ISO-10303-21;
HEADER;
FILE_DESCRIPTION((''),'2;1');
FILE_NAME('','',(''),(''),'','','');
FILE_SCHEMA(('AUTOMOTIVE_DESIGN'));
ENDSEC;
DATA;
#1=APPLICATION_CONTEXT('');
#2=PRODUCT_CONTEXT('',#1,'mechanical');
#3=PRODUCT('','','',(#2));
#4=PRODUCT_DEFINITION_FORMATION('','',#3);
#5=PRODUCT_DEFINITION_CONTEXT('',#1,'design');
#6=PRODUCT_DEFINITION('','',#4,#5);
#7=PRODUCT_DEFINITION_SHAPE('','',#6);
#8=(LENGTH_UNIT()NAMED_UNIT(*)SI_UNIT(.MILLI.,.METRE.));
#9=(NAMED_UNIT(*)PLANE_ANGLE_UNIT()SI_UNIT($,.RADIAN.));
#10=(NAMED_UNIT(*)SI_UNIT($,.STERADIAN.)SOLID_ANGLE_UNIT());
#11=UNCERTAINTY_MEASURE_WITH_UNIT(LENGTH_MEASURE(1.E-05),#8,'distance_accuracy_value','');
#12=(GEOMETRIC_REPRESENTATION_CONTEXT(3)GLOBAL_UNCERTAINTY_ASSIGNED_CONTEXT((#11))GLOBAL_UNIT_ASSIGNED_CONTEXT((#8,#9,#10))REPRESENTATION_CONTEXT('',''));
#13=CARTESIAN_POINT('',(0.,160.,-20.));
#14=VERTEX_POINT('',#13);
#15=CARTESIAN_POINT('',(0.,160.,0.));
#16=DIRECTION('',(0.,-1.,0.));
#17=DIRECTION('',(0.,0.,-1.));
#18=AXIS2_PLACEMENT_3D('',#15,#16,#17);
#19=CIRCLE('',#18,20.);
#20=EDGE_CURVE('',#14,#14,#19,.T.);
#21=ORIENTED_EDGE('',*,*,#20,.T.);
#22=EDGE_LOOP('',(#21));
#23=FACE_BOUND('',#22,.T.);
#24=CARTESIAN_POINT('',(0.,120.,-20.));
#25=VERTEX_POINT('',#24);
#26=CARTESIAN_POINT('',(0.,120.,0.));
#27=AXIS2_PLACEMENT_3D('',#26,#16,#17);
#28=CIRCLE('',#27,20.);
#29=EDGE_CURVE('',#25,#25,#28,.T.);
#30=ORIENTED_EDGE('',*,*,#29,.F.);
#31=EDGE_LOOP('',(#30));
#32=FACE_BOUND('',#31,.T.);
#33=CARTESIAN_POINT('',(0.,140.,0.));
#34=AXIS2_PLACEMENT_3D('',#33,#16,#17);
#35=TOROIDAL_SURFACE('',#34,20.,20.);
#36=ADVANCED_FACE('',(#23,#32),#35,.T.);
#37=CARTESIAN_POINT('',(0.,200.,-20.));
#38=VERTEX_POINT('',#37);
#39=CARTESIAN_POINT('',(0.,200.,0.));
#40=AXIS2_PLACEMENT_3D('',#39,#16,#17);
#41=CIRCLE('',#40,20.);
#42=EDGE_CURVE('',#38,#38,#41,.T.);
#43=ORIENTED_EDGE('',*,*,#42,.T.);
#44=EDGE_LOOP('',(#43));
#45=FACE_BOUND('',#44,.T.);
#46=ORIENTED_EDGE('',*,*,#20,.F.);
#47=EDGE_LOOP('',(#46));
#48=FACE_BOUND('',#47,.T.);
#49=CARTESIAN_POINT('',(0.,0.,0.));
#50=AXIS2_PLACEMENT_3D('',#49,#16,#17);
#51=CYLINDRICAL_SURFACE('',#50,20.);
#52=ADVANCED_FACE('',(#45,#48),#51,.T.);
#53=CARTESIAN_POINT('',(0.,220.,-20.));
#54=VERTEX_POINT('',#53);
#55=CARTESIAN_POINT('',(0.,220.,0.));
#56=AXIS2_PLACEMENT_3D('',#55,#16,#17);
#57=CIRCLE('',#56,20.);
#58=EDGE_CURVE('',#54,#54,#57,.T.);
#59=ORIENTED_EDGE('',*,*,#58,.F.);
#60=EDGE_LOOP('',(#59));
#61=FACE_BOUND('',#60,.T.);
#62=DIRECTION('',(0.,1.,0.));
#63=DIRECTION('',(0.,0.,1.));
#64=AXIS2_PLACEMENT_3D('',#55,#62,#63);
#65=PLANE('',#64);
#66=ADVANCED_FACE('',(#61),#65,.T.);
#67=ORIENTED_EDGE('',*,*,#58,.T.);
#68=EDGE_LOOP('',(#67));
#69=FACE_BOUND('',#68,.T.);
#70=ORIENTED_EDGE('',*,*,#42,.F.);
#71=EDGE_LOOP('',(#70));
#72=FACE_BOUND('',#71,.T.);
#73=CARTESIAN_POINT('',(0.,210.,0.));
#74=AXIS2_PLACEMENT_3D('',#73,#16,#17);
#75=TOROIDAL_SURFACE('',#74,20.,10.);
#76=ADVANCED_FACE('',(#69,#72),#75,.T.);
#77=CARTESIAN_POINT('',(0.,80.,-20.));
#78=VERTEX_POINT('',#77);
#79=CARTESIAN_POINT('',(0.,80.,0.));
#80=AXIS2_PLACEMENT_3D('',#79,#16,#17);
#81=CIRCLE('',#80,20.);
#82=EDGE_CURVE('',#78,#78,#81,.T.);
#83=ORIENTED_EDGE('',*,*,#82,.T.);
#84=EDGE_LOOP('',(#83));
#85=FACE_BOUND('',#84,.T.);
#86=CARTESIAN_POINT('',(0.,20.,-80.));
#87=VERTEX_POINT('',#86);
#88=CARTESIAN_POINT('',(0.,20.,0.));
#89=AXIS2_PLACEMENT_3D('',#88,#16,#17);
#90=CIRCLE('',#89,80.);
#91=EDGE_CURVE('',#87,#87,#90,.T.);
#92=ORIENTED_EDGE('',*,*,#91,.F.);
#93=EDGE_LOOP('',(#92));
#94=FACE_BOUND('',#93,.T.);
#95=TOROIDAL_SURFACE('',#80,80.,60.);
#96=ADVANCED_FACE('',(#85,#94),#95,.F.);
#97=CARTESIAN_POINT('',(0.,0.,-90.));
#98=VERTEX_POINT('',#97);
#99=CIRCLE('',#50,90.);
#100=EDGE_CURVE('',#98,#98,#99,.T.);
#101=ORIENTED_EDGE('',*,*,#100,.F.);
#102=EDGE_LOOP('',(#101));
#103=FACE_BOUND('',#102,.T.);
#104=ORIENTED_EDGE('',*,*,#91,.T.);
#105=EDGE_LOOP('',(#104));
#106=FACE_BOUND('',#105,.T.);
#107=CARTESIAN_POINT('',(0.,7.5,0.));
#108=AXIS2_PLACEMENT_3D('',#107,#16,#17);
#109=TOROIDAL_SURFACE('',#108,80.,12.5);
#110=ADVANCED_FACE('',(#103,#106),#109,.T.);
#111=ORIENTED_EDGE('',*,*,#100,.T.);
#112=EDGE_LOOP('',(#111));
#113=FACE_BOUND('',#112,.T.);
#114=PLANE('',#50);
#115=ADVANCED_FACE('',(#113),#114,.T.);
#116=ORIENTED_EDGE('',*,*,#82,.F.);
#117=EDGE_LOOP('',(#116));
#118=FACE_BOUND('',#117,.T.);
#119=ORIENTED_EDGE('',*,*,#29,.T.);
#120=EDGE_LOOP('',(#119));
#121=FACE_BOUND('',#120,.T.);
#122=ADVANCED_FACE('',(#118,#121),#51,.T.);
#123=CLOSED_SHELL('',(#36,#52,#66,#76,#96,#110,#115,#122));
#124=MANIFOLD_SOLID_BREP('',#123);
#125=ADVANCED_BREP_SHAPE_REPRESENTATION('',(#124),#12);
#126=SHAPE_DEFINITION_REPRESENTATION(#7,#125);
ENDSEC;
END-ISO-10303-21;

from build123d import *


with BuildPart() as part:
    # Sketch2 → Revolve1 (revolve)
    with BuildSketch(Plane.XY):
        with BuildLine():
            Line((0, 0), (0, 220))
            Line((0, 220), (20, 220))
            ThreePointArc((20, 220), (30, 210), (20, 200))
            Line((20, 200), (20, 160))
            ThreePointArc((20, 160), (40, 140), (20, 120))
            Line((20, 120), (20, 80))
            ThreePointArc((20, 80), (37.573593129, 37.573593129), (80, 20))
            ThreePointArc((80, 20), (91.180339887, 13.090169944), (90, 0))
            Line((90, 0), (0, 0))
        make_face()
    revolve(axis=Axis((0, 0, 0), (0, 1, 0)))


solid = part.part
